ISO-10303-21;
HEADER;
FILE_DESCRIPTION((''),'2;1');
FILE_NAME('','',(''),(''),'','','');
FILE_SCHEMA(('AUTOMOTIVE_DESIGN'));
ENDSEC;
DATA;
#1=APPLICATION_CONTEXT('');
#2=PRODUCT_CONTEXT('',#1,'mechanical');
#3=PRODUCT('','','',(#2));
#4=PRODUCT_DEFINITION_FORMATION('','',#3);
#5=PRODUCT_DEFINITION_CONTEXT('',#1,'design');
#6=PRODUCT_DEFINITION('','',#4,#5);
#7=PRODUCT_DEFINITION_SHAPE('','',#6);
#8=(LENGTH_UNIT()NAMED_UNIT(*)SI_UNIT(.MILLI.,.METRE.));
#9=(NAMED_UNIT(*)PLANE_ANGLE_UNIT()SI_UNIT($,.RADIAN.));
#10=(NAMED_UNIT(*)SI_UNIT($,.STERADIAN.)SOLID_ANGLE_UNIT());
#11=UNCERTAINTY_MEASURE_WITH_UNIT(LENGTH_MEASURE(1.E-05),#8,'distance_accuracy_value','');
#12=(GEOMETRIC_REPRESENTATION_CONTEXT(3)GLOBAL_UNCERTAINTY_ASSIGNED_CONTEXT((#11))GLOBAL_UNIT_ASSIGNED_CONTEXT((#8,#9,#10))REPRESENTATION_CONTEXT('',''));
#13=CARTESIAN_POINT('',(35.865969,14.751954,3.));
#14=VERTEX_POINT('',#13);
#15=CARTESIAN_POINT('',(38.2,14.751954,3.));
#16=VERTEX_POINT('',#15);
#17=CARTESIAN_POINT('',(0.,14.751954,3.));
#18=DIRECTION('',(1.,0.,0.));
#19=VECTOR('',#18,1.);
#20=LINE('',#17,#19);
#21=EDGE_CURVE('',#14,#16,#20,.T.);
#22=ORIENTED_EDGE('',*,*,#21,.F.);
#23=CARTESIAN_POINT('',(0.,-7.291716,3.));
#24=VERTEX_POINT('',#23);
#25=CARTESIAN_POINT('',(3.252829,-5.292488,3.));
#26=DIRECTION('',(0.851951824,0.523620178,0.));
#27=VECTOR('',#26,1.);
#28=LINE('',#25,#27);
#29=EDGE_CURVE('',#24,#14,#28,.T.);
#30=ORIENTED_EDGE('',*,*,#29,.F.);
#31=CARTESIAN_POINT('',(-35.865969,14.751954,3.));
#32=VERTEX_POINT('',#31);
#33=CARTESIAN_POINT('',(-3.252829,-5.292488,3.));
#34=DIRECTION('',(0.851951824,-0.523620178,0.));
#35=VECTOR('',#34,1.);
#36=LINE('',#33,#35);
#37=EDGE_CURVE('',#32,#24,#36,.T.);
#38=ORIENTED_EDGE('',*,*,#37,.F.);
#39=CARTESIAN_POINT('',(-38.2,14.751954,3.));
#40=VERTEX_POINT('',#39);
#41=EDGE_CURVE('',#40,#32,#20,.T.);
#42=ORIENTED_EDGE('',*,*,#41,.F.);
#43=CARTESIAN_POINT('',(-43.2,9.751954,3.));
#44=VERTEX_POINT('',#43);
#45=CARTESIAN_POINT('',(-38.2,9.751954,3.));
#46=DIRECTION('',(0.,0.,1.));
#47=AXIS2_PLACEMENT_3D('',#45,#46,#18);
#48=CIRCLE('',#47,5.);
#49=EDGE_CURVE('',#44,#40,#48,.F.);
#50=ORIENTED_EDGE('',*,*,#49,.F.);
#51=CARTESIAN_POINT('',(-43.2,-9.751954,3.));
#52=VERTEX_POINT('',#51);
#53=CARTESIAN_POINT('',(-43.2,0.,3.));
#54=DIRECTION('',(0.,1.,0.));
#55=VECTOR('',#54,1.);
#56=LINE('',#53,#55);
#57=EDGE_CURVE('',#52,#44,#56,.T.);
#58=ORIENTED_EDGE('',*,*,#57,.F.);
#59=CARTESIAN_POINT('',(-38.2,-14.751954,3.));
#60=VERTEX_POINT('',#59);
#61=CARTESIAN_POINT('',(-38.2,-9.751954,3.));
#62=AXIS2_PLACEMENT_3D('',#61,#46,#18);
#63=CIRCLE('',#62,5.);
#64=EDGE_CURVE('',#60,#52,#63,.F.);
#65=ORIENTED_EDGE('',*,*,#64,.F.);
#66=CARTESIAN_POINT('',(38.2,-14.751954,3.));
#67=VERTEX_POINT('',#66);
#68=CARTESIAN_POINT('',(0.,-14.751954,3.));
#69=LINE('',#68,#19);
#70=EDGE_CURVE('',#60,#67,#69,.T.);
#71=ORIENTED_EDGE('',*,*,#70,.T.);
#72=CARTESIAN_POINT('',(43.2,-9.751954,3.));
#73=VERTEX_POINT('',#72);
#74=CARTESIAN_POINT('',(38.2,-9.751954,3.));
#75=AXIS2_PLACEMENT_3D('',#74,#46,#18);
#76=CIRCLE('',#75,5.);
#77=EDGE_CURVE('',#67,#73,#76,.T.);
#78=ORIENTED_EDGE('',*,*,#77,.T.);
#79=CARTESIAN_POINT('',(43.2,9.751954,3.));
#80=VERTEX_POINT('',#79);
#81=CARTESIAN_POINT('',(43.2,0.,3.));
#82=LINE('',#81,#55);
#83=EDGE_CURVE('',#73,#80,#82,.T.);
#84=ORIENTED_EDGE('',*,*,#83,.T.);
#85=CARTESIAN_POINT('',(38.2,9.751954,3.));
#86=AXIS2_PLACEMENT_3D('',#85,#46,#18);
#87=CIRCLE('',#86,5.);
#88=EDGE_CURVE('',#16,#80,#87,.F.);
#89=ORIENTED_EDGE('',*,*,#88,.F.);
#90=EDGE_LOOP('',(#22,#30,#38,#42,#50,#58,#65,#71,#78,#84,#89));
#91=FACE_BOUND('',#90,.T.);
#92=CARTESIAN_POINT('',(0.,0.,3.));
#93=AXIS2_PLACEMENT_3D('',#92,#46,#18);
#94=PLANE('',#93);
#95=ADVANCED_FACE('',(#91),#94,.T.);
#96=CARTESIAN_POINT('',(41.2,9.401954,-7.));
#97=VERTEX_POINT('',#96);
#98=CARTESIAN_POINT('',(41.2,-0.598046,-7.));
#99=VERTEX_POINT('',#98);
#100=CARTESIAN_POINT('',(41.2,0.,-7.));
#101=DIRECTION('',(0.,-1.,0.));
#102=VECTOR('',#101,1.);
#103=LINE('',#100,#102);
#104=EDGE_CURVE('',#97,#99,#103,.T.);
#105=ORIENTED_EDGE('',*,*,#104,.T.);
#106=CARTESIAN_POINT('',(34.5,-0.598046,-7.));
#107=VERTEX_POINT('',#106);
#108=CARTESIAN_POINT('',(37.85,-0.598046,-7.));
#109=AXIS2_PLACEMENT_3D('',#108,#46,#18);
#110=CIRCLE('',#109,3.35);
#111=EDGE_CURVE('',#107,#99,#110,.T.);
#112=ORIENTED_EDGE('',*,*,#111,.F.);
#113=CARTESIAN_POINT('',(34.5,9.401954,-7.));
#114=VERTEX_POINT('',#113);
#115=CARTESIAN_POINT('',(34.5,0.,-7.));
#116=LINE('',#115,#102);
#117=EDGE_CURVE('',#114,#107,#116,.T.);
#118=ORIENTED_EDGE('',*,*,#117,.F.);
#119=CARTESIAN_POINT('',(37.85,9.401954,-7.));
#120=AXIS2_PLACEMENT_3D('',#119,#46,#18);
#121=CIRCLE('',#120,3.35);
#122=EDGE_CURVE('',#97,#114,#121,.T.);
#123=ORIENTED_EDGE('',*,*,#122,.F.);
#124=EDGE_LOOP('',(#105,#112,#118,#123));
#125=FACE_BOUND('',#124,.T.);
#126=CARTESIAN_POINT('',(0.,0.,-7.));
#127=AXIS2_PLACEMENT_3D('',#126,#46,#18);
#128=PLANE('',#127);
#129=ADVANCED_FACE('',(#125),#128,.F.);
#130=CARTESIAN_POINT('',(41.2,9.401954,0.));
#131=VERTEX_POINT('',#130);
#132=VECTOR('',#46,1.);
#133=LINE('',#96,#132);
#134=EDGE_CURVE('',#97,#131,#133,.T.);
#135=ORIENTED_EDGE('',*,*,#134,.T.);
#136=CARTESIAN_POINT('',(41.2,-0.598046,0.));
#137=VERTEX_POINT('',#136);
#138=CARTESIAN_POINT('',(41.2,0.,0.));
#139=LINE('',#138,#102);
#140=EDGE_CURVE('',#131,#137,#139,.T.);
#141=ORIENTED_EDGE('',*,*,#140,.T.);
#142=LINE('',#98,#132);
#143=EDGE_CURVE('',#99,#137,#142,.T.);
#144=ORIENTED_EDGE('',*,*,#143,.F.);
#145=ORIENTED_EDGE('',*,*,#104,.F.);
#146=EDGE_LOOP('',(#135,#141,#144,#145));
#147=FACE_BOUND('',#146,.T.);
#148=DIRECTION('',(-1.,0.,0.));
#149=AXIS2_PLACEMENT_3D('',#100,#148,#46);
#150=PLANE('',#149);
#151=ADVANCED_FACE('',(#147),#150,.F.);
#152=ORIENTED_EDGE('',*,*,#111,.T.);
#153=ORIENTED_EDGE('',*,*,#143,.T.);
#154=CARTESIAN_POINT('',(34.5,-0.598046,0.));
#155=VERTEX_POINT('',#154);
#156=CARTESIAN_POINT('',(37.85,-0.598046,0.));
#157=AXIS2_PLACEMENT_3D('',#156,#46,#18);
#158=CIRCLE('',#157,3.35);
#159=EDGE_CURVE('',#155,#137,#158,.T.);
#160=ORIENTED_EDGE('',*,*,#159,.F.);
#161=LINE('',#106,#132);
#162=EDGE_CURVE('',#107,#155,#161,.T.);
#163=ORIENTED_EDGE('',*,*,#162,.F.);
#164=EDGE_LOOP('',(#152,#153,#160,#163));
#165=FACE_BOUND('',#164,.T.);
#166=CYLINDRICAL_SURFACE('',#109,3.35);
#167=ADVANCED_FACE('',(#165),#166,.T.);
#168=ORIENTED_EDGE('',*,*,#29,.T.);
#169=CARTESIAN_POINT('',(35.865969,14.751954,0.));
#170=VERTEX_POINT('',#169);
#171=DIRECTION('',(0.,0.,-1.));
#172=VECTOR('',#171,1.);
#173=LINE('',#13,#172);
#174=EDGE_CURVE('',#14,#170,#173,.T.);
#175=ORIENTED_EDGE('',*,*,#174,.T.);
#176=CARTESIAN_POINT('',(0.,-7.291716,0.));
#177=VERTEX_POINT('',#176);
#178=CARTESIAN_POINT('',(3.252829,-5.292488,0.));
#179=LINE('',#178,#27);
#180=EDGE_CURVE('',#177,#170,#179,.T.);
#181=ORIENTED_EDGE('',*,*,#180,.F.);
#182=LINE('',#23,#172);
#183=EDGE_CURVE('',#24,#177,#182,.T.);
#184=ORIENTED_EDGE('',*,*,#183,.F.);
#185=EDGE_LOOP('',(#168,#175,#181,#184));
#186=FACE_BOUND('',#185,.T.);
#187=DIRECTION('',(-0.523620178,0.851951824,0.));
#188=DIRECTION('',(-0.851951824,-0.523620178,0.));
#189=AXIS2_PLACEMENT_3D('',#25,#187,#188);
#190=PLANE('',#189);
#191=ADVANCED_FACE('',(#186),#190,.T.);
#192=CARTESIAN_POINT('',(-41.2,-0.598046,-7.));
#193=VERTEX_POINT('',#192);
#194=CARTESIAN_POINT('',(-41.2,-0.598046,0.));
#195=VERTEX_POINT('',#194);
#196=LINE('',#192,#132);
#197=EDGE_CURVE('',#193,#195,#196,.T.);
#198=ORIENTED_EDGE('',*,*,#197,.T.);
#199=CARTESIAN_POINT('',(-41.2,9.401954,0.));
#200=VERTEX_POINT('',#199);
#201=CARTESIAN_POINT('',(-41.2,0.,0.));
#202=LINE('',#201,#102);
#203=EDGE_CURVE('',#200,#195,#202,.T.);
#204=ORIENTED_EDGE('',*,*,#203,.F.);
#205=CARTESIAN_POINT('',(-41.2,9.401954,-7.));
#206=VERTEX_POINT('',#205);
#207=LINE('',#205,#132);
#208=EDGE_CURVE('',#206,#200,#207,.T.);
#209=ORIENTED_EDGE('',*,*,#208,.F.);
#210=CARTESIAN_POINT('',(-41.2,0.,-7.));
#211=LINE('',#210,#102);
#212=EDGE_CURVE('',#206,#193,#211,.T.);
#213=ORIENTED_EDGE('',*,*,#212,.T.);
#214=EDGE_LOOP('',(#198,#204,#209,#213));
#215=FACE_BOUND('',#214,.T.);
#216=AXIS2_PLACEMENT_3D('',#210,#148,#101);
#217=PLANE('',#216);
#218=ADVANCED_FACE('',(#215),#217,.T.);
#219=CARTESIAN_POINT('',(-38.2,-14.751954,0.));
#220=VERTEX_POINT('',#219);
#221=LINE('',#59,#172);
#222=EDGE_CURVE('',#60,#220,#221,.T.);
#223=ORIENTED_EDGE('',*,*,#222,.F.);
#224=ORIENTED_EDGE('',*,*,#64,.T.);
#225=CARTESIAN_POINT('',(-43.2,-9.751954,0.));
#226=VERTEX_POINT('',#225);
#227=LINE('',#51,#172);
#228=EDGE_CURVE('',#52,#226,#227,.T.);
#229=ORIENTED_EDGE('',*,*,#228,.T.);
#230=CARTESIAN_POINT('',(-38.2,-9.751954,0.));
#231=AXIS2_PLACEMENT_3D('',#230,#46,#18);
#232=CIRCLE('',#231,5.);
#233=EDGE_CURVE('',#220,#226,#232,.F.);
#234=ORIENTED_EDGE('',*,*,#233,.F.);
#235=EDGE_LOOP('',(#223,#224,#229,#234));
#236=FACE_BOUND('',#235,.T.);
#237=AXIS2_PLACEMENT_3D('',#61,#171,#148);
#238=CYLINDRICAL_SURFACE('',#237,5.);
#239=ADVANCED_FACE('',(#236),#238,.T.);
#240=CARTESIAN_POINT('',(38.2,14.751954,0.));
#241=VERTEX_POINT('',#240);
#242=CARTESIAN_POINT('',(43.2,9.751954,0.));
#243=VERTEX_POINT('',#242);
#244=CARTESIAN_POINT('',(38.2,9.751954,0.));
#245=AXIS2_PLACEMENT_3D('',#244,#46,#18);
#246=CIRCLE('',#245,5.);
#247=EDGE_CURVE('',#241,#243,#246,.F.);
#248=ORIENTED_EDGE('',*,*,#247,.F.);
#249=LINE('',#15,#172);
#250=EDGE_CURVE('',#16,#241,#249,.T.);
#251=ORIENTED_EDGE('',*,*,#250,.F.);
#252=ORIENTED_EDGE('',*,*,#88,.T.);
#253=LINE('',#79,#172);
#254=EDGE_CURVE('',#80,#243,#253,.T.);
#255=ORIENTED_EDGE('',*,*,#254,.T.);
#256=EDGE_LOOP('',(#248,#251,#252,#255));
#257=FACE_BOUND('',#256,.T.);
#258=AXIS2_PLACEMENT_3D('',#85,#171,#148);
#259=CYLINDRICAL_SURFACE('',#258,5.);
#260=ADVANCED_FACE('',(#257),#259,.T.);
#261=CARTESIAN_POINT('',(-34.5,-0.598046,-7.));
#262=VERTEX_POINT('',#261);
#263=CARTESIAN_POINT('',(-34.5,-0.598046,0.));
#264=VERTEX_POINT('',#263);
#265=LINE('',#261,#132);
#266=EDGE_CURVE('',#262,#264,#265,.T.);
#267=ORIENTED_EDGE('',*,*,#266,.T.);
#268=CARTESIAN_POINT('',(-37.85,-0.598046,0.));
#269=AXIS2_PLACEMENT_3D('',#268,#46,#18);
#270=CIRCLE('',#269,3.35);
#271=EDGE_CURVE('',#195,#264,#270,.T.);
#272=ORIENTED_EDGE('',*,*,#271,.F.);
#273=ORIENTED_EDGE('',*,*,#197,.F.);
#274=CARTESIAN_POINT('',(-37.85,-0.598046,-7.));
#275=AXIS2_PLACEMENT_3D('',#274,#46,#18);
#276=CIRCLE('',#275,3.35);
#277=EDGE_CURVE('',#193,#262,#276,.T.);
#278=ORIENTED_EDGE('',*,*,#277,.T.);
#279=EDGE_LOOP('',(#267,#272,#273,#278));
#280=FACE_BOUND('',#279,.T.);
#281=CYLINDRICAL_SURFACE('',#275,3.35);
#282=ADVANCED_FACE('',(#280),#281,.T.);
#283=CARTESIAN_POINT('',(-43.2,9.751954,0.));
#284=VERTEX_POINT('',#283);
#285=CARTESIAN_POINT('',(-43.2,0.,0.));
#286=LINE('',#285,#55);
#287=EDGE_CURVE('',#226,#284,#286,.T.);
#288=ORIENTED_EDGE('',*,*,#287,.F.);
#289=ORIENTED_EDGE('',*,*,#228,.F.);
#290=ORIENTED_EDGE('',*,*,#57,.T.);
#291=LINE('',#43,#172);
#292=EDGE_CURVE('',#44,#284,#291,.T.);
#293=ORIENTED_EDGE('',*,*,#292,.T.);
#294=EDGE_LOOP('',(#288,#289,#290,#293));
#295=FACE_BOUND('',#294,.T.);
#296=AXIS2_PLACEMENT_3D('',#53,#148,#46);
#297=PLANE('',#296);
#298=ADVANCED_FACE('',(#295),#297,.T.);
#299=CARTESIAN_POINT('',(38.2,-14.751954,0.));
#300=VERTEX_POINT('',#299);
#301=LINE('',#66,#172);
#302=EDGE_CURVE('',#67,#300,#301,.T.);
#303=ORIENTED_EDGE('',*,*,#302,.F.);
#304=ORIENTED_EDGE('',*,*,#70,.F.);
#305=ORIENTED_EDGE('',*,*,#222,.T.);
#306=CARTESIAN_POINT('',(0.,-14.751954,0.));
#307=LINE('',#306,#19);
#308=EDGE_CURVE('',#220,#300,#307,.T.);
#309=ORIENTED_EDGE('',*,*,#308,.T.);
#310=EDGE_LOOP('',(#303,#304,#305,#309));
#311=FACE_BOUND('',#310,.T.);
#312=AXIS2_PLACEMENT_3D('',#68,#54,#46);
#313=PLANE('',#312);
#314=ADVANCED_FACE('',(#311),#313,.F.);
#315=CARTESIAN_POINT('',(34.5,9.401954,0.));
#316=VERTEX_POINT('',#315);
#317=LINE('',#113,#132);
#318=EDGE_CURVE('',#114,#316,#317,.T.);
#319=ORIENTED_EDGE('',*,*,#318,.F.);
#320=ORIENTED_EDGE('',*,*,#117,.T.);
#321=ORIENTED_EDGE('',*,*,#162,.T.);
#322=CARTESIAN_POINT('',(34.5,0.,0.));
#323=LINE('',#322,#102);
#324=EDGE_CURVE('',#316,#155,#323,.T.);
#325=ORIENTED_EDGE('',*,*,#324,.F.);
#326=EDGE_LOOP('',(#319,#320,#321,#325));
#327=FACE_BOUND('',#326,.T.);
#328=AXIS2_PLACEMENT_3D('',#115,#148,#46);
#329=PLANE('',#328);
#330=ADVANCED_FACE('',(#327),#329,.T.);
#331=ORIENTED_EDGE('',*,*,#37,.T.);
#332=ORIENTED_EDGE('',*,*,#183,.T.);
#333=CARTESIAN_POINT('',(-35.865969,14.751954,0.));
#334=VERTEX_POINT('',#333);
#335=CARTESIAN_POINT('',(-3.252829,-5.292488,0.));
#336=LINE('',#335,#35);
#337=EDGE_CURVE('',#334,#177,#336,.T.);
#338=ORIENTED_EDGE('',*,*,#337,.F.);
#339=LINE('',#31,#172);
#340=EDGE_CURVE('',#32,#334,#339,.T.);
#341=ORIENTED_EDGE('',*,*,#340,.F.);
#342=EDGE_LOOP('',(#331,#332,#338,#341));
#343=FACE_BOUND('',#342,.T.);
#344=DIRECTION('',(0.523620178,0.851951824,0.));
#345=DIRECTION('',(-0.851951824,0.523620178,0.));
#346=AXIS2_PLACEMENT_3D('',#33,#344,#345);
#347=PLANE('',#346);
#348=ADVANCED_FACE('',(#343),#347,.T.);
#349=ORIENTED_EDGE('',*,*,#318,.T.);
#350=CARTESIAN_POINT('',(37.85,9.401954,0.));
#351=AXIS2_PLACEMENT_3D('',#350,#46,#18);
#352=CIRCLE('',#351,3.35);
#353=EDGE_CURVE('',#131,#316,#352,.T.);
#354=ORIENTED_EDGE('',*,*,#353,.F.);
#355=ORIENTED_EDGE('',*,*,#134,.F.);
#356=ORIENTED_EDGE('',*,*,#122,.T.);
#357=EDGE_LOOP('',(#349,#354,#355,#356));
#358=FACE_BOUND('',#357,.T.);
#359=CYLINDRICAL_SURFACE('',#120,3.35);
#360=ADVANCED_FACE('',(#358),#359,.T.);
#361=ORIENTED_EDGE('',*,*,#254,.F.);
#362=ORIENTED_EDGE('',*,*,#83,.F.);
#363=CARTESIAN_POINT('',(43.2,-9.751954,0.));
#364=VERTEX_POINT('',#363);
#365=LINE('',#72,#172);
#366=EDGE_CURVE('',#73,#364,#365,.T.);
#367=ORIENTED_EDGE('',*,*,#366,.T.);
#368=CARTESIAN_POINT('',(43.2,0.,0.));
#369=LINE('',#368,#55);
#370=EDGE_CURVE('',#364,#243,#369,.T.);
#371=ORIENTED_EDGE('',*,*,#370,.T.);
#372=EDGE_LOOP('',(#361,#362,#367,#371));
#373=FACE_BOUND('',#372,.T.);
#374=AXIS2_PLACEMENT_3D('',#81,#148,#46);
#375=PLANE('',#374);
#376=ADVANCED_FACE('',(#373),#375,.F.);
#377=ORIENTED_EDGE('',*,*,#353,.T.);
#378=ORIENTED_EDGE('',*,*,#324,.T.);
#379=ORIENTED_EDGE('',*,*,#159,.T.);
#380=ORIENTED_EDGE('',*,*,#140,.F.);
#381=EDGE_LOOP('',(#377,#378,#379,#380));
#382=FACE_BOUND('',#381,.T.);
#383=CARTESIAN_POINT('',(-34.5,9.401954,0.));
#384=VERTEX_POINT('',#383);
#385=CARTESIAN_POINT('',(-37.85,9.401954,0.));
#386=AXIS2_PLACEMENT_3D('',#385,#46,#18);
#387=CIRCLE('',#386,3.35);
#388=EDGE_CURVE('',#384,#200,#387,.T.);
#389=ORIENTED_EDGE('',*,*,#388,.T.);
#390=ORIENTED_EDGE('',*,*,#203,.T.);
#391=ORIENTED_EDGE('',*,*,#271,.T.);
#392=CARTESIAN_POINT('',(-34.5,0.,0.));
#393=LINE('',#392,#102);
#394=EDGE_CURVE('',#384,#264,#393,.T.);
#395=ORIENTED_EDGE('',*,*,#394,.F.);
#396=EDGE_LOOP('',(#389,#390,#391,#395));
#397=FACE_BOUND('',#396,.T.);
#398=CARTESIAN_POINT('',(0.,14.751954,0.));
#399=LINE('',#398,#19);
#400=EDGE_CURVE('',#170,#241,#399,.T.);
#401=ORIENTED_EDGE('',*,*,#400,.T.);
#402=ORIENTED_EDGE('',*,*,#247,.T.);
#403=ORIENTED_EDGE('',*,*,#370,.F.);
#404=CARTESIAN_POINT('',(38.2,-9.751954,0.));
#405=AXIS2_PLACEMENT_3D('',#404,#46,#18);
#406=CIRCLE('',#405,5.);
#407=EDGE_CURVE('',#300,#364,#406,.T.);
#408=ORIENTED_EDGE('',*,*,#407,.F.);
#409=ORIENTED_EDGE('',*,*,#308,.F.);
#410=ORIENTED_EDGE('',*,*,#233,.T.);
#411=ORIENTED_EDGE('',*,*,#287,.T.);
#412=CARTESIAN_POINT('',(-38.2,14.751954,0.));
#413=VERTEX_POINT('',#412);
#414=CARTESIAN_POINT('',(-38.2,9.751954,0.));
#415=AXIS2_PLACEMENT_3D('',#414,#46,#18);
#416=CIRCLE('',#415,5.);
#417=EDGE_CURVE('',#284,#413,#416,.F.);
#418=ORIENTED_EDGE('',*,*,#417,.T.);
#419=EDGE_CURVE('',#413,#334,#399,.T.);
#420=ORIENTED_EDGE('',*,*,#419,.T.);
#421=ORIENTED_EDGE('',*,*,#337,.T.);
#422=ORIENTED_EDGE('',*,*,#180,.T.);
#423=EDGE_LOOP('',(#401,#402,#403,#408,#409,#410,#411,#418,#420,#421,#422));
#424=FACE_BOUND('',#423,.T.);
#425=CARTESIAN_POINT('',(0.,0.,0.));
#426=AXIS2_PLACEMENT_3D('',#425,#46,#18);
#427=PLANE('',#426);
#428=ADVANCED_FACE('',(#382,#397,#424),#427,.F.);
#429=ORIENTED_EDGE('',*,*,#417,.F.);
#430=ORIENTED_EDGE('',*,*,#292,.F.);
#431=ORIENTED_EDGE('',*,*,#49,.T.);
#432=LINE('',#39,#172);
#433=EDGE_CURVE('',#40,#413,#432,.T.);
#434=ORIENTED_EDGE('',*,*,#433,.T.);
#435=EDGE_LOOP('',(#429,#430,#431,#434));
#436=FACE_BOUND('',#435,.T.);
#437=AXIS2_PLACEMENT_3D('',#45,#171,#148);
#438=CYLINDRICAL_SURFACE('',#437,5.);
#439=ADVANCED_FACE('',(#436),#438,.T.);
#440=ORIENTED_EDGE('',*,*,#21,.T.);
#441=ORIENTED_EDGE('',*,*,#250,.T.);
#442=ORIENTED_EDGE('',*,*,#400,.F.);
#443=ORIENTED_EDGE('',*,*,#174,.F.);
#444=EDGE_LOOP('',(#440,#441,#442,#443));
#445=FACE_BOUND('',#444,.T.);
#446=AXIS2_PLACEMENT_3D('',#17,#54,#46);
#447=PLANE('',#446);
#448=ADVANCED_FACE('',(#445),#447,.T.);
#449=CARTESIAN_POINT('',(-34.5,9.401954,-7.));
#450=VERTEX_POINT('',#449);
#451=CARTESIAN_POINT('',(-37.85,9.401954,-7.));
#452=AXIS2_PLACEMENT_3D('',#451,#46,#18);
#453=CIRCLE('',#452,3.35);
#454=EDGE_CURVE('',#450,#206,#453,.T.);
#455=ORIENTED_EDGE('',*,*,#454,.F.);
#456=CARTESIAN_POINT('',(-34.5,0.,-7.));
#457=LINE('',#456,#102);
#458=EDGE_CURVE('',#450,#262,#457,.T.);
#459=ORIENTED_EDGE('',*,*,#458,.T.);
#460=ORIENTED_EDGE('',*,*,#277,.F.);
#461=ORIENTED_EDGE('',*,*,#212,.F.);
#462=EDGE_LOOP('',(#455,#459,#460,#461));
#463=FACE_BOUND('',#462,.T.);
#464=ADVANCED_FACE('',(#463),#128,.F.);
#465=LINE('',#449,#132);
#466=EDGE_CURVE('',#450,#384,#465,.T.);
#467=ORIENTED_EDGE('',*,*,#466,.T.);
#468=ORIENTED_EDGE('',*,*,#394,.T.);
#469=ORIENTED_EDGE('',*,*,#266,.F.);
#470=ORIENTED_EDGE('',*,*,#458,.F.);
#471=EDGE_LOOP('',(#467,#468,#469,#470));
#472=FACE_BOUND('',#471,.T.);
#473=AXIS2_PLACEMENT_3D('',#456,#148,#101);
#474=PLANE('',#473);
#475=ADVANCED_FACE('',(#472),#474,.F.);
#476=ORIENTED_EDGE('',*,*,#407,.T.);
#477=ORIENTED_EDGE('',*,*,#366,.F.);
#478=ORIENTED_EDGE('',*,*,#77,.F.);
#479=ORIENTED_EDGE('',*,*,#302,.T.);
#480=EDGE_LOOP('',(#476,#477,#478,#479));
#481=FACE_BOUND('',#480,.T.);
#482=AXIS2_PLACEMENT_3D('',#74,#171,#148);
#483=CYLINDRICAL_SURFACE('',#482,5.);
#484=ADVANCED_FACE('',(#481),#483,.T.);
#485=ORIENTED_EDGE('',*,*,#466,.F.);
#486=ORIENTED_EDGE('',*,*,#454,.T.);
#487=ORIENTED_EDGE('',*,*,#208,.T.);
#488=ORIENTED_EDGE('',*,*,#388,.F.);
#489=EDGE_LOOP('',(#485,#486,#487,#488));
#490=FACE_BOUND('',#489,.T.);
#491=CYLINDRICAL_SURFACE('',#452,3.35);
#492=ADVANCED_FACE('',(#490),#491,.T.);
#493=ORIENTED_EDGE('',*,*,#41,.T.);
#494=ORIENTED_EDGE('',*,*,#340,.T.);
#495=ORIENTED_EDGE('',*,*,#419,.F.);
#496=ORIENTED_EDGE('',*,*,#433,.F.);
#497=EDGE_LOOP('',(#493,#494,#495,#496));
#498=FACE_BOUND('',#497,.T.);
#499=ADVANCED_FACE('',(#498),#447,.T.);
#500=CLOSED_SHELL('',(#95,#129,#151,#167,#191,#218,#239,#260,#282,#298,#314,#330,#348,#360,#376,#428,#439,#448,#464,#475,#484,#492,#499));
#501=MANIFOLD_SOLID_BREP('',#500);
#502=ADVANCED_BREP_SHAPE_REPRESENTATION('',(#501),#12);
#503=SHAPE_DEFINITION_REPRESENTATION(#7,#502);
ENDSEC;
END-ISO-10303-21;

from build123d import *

# Parameters (mm, degrees)
BOSS_EXTRUDE1_DEPTH = 3
BOSS_EXTRUDE2_DEPTH = 7


with BuildPart() as part:
    # Sketch1 → Boss-Extrude1 (new body)
    with BuildSketch(Plane.XY):
        with BuildLine():
            ThreePointArc((-43.2, -9.751954051), (-41.735533906, -13.287487956), (-38.2, -14.751954051))
            Line((-38.2, -14.751954051), (38.2, -14.751954051))
            ThreePointArc((38.2, -14.751954051), (41.735533906, -13.287487956), (43.2, -9.751954051))
            Line((43.2, -9.751954051), (43.2, 9.751954051))
            ThreePointArc((43.2, 9.751954051), (41.735533906, 13.287487956), (38.2, 14.751954051))
            Line((38.2, 14.751954051), (35.865969403, 14.751954051))
            Line((35.865969403, 14.751954051), (0, -7.291716438))
            Line((0, -7.291716438), (-35.865969403, 14.751954051))
            Line((-35.865969403, 14.751954051), (-38.2, 14.751954051))
            ThreePointArc((-38.2, 14.751954051), (-41.735533906, 13.287487956), (-43.2, 9.751954051))
            Line((-43.2, 9.751954051), (-43.2, -9.751954051))
        make_face()
    extrude(amount=BOSS_EXTRUDE1_DEPTH)

    # Sketch1<3> → Boss-Extrude2 (add)
    with BuildSketch(Plane.XY):
        with BuildLine():
            Line((-34.5, -0.598045949), (-34.5, 9.401954051))
            ThreePointArc((-34.5, 9.401954051), (-37.85, 12.751954051), (-41.2, 9.401954051))
            Line((-41.2, 9.401954051), (-41.2, -0.598045949))
            ThreePointArc((-41.2, -0.598045949), (-37.85, -3.948045949), (-34.5, -0.598045949))
        make_face()
        with BuildLine():
            Line((41.2, -0.598045949), (41.2, 9.401954051))
            ThreePointArc((41.2, 9.401954051), (37.85, 12.751954051), (34.5, 9.401954051))
            Line((34.5, 9.401954051), (34.5, -0.598045949))
            ThreePointArc((34.5, -0.598045949), (37.85, -3.948045949), (41.2, -0.598045949))
        make_face()
    extrude(amount=-BOSS_EXTRUDE2_DEPTH)


solid = part.part
